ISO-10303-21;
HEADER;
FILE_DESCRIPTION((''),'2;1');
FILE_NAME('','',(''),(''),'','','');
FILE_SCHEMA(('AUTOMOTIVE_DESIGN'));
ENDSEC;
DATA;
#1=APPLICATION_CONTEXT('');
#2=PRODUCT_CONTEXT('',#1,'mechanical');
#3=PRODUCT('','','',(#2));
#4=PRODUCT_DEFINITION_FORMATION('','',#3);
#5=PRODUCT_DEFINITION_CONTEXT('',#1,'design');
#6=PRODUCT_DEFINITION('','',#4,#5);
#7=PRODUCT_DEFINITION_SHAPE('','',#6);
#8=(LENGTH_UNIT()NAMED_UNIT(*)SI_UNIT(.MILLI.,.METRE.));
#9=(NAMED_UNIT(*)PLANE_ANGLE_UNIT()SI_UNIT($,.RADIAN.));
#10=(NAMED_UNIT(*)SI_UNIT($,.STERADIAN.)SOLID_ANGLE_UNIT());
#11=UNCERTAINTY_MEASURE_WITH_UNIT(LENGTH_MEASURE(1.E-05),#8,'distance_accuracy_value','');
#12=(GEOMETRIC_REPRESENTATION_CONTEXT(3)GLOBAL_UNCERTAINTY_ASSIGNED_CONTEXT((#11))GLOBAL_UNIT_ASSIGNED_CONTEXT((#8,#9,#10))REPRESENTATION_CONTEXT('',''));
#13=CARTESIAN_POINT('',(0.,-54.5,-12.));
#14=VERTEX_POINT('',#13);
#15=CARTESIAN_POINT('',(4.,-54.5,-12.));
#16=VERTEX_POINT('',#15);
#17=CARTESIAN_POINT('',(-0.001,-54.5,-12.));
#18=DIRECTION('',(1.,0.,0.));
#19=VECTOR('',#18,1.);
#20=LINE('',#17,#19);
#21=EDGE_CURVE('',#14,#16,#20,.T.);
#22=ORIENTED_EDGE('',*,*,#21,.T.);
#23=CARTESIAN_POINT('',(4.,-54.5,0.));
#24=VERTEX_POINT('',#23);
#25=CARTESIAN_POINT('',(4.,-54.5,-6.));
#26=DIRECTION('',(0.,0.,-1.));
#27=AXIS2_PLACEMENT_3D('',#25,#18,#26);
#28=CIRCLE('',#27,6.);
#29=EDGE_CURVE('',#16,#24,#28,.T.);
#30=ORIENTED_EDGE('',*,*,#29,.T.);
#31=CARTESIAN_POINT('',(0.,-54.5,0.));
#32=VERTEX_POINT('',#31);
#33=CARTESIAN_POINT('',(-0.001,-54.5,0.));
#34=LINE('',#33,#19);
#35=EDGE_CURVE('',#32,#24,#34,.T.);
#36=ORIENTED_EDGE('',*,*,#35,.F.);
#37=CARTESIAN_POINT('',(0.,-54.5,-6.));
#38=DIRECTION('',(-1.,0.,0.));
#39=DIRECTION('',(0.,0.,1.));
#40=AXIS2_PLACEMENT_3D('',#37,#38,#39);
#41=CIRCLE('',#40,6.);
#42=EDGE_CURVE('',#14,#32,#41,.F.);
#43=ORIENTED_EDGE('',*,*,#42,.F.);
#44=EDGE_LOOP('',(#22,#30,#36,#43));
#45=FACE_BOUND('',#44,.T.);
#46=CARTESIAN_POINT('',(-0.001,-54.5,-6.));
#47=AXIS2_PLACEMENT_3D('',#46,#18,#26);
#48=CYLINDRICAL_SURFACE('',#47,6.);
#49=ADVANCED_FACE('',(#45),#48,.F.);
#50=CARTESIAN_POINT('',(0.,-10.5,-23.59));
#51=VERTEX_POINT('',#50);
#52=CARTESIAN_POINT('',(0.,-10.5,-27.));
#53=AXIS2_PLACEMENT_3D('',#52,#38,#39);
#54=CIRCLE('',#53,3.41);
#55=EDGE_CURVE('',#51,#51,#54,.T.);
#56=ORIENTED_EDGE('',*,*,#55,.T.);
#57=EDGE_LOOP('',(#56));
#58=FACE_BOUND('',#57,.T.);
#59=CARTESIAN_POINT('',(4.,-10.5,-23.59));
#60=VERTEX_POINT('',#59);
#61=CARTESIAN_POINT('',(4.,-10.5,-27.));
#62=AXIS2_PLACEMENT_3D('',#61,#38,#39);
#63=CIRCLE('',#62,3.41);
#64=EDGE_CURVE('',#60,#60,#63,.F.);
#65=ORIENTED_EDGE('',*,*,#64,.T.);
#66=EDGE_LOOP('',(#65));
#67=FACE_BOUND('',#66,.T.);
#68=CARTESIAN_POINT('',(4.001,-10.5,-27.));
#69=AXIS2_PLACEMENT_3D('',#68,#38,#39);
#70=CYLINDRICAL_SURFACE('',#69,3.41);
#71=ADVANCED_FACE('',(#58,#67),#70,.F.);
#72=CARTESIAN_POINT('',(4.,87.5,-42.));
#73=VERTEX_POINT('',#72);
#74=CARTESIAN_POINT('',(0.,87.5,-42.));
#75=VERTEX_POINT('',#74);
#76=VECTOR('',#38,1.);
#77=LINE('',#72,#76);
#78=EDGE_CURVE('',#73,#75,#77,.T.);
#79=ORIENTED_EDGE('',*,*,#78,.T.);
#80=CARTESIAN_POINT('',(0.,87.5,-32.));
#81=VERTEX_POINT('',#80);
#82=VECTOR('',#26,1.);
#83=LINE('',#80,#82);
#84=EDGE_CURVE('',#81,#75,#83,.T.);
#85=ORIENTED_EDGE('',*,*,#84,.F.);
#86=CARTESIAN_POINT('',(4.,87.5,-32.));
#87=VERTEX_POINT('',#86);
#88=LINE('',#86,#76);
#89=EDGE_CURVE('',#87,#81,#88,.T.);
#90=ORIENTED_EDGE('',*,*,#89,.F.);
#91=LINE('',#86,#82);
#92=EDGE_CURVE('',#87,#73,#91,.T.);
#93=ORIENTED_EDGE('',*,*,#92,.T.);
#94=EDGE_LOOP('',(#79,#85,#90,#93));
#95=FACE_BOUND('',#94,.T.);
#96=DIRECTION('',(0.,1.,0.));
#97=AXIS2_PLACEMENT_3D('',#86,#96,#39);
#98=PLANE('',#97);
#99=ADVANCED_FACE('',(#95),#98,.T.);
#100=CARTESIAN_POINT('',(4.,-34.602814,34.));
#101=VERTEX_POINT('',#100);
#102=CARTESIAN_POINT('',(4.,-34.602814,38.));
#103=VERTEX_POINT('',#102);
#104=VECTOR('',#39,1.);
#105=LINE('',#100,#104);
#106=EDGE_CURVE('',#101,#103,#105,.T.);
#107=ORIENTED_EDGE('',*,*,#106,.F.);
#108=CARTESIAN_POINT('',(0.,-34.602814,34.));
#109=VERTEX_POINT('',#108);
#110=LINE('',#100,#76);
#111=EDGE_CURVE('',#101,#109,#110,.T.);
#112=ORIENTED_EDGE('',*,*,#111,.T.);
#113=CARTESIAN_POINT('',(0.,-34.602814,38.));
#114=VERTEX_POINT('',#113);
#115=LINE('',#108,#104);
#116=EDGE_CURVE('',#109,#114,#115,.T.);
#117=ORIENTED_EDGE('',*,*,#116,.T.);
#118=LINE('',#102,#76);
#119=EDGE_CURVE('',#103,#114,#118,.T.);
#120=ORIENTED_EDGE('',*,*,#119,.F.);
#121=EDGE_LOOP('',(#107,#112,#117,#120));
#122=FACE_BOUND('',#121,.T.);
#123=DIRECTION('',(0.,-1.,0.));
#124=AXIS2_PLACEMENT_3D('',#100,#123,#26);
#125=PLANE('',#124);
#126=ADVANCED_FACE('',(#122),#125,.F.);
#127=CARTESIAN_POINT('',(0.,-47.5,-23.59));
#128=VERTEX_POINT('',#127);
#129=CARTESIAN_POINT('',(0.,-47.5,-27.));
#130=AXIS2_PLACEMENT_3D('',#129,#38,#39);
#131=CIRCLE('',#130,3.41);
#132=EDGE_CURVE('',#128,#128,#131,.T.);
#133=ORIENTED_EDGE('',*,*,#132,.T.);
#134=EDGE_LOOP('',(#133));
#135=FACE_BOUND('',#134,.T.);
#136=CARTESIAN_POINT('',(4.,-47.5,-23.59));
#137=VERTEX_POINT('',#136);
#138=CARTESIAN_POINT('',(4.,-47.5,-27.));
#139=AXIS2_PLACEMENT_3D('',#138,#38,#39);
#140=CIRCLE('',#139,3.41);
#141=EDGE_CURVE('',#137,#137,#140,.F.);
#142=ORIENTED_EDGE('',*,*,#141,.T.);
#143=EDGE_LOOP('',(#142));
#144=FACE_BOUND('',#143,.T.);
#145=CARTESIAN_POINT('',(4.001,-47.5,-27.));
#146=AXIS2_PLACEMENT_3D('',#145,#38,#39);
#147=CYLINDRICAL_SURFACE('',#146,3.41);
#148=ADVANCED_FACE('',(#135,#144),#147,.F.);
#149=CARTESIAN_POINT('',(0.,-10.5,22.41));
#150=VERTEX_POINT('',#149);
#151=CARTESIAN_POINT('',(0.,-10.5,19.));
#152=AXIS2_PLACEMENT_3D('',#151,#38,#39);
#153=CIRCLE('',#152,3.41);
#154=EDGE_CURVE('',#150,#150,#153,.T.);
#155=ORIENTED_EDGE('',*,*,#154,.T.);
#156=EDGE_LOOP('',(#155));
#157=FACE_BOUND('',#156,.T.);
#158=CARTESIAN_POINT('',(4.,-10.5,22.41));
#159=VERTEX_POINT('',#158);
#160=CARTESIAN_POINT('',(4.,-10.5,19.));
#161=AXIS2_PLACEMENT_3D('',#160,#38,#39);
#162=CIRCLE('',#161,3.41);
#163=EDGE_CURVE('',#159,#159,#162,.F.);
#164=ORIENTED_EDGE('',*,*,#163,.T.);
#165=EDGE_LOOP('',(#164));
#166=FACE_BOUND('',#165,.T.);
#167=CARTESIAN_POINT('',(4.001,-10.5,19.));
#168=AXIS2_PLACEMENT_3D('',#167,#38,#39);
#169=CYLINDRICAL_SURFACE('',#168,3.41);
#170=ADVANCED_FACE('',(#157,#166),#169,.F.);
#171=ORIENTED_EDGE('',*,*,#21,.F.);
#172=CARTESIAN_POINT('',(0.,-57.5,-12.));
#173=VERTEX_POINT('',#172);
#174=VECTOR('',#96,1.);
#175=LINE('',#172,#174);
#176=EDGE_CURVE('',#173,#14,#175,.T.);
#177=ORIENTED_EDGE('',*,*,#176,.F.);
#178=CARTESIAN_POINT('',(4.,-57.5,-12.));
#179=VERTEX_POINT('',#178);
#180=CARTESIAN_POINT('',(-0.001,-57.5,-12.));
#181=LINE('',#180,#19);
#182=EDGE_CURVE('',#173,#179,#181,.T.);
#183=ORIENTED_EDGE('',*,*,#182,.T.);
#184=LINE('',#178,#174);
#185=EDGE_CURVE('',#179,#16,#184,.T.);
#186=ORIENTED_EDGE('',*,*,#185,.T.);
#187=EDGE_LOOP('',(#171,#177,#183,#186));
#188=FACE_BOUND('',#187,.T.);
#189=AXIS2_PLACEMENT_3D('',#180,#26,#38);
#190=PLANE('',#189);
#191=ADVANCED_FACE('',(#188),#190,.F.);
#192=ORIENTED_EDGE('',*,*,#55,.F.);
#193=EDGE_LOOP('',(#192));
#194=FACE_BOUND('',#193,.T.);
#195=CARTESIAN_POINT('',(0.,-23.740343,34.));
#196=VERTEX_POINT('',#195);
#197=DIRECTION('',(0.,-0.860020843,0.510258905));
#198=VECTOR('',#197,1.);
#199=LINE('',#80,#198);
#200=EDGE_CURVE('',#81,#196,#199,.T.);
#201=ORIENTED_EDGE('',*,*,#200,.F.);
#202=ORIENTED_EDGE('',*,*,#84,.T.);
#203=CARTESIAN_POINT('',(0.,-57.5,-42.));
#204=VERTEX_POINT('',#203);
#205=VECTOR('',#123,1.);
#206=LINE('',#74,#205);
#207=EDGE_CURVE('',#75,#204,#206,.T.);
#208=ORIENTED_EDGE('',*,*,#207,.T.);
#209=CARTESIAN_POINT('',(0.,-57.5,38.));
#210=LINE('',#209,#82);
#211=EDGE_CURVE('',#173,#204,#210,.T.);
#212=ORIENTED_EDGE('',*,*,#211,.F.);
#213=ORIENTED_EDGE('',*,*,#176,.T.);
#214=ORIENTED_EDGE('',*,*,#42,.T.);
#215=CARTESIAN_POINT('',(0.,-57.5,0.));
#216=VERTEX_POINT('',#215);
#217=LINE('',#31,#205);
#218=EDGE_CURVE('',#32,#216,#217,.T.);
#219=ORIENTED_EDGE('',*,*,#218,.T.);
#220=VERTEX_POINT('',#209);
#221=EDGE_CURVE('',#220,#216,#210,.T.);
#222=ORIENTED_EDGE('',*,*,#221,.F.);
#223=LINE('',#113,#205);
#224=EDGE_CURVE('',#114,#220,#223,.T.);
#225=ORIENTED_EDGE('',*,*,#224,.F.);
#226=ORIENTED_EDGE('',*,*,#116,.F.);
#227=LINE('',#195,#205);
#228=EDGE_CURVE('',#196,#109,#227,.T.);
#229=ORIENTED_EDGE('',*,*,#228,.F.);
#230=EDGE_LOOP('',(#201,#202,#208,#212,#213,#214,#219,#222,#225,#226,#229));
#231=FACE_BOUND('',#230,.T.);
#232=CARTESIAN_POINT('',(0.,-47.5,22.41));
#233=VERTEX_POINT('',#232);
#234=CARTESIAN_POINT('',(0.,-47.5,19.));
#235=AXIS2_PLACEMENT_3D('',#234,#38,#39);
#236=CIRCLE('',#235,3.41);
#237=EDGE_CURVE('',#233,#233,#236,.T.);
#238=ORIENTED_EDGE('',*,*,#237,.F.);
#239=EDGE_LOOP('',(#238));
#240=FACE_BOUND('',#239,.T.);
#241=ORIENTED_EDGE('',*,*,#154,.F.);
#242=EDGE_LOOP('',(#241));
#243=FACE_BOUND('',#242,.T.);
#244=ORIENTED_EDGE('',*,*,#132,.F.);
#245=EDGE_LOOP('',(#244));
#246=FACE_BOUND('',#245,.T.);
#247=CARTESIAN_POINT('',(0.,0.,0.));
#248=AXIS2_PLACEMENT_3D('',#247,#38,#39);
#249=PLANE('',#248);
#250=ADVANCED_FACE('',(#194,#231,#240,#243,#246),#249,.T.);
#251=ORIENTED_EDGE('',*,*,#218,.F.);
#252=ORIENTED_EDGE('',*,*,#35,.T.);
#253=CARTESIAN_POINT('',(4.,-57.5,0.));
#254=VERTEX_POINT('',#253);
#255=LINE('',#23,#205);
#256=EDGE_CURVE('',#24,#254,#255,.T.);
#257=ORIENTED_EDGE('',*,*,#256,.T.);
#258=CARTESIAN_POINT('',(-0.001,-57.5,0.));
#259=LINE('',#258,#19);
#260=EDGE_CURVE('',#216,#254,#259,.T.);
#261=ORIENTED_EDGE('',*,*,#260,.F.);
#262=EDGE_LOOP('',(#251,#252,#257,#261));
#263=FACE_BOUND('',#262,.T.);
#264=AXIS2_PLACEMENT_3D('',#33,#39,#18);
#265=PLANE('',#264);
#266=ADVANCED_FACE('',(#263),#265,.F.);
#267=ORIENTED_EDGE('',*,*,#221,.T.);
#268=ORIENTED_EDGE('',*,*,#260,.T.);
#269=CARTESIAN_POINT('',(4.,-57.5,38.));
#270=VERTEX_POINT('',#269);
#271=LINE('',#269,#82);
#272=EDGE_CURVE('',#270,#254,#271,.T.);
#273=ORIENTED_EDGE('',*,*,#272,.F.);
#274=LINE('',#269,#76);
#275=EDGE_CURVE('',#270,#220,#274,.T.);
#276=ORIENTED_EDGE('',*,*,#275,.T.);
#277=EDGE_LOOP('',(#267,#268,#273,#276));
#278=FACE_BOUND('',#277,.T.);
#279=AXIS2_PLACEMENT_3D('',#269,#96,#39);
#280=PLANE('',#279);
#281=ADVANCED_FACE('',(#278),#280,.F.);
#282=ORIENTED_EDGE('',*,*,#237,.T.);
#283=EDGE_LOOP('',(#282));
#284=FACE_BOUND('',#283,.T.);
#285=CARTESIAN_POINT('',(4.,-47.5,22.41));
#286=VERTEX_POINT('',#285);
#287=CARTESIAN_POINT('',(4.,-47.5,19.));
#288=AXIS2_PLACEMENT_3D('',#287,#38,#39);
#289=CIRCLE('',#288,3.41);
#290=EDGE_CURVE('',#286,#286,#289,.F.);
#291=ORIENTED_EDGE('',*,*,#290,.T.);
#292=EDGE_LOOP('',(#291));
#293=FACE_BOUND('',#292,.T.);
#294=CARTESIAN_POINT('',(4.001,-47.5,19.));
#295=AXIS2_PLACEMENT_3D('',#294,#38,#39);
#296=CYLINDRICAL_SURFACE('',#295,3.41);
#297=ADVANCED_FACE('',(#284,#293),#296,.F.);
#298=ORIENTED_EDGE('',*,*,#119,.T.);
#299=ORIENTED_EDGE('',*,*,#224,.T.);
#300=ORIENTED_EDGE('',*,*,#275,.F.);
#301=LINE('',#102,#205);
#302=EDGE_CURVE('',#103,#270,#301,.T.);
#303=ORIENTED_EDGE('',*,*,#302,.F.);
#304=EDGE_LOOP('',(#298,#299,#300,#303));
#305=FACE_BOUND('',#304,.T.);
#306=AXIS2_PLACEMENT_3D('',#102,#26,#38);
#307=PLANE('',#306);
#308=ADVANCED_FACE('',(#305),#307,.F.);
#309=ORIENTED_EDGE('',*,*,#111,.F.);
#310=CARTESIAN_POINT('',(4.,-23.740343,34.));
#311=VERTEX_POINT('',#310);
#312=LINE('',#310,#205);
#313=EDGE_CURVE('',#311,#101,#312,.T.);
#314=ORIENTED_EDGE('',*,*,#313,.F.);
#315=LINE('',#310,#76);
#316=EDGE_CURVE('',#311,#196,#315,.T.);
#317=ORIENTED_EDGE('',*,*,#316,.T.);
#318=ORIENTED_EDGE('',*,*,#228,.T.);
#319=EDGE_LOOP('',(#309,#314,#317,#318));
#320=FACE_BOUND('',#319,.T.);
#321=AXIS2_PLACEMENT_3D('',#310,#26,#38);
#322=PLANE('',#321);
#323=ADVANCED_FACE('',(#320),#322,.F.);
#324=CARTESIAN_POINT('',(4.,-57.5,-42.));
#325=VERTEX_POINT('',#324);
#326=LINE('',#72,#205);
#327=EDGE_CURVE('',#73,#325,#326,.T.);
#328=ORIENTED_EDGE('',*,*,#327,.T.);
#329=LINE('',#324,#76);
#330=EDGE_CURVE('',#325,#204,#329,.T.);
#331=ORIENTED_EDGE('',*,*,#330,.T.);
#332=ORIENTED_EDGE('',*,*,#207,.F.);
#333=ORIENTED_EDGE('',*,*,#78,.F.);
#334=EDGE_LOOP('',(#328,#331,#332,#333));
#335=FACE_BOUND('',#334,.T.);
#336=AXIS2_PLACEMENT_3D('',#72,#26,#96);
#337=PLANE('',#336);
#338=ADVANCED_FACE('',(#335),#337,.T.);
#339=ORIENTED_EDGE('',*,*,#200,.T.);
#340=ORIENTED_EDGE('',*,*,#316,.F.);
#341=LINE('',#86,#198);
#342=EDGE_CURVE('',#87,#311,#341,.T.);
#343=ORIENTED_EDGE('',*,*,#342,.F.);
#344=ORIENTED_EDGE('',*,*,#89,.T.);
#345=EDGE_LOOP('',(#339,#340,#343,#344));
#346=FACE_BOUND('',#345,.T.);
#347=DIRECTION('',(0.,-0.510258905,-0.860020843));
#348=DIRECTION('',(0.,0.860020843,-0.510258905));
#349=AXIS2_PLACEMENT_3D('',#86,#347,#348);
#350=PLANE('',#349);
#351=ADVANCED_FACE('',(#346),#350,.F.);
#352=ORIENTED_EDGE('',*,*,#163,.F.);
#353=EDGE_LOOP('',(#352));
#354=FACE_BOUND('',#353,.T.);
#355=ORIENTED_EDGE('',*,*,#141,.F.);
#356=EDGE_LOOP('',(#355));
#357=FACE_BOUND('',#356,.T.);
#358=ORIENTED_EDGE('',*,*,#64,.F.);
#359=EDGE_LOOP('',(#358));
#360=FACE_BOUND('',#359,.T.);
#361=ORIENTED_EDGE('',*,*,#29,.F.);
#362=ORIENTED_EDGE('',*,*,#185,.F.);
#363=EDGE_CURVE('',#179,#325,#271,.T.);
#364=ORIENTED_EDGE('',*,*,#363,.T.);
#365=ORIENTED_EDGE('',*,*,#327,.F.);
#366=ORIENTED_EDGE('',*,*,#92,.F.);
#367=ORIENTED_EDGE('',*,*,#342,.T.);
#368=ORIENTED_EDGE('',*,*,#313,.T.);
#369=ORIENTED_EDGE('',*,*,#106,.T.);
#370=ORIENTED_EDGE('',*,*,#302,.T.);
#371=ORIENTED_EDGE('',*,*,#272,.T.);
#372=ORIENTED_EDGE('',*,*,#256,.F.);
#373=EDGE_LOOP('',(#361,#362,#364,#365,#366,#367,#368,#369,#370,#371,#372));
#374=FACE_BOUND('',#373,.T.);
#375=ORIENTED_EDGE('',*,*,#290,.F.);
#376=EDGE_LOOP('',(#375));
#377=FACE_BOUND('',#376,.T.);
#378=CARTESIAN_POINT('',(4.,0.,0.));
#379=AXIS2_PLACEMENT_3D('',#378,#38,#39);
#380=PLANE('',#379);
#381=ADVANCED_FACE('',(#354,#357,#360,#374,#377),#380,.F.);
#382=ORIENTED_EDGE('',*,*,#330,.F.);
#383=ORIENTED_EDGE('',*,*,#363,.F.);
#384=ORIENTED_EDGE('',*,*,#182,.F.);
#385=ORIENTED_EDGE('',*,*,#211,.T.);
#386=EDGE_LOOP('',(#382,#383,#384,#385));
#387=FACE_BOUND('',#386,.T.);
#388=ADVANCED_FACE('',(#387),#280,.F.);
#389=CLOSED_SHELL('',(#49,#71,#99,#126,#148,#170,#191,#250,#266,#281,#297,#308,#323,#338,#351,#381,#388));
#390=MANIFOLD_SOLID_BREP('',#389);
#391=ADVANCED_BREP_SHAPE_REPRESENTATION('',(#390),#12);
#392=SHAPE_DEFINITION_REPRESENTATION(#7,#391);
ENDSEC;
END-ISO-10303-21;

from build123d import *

# Parameters (mm, degrees)
BOSS_EXTRUDE1_DEPTH = 4
CUT_EXTRUDE1_REACH  = 99.14
SKETCH3_R           = 3.41
CUT_EXTRUDE2_REACH  = 99.14
SKETCH4_R           = 3.41
CUT_EXTRUDE4_REACH  = 99.14


with BuildPart() as part:
    # Sketch1 → Boss-Extrude1 (new body)
    with BuildSketch(Plane(origin=(0, 0, 0), x_dir=(0, 0, -1), z_dir=(1, 0, 0))):
        Polygon((-38, -57.5), (42, -57.5), (42, 87.5), (32, 87.5), (-34, -23.740343039), (-34, -34.602813771), (-38, -34.602813771), align=None)
    extrude(amount=BOSS_EXTRUDE1_DEPTH)

    # Sketch3 → Cut-Extrude1 (cut, up to next)
    with BuildSketch(Plane.ZY, mode=Mode.PRIVATE) as cut_extrude1_sk1:
        with Locations((-27, -10.5)):
            Circle(SKETCH3_R)
    cut_extrude1_tool1 = extrude(cut_extrude1_sk1.sketch, amount=-CUT_EXTRUDE1_REACH, mode=Mode.PRIVATE) & part.part
    # Sketch3 → Cut-Extrude1 (cut, up to next)
    with BuildSketch(Plane.ZY, mode=Mode.PRIVATE) as cut_extrude1_sk2:
        with Locations((19, -10.5)):
            Circle(SKETCH3_R)
    cut_extrude1_tool2 = extrude(cut_extrude1_sk2.sketch, amount=-CUT_EXTRUDE1_REACH, mode=Mode.PRIVATE) & part.part
    add(cut_extrude1_tool1.solids().sort_by_distance((0, -10.5, -27))[0], mode=Mode.SUBTRACT)
    add(cut_extrude1_tool2.solids().sort_by_distance((0, -10.5, 19))[0], mode=Mode.SUBTRACT)

    # Sketch4 → Cut-Extrude2 (cut, up to next)
    with BuildSketch(Plane.ZY, mode=Mode.PRIVATE) as cut_extrude2_sk1:
        with Locations((-27, -47.5)):
            Circle(SKETCH4_R)
    cut_extrude2_tool1 = extrude(cut_extrude2_sk1.sketch, amount=-CUT_EXTRUDE2_REACH, mode=Mode.PRIVATE) & part.part
    # Sketch4 → Cut-Extrude2 (cut, up to next)
    with BuildSketch(Plane.ZY, mode=Mode.PRIVATE) as cut_extrude2_sk2:
        with Locations((19, -47.5)):
            Circle(SKETCH4_R)
    cut_extrude2_tool2 = extrude(cut_extrude2_sk2.sketch, amount=-CUT_EXTRUDE2_REACH, mode=Mode.PRIVATE) & part.part
    add(cut_extrude2_tool1.solids().sort_by_distance((0, -47.5, -27))[0], mode=Mode.SUBTRACT)
    add(cut_extrude2_tool2.solids().sort_by_distance((0, -47.5, 19))[0], mode=Mode.SUBTRACT)

    # Sketch6 → Cut-Extrude4 (cut, up to next)
    with BuildSketch(Plane(origin=(4, 0, 0), x_dir=(0, 0, -1), z_dir=(1, 0, 0)), mode=Mode.PRIVATE) as cut_extrude4_sk1:
        with BuildLine():
            Line((0, -54.5), (0, -57.5))
            Line((0, -57.5), (12, -57.5))
            Line((12, -57.5), (12, -54.5))
            ThreePointArc((12, -54.5), (6, -48.5), (0, -54.5))
        make_face()
    cut_extrude4_tool1 = extrude(cut_extrude4_sk1.sketch, amount=-CUT_EXTRUDE4_REACH, mode=Mode.PRIVATE) & part.part
    add(cut_extrude4_tool1.solids().sort_by_distance((4, -53.527539, -6))[0], mode=Mode.SUBTRACT)


solid = part.part
